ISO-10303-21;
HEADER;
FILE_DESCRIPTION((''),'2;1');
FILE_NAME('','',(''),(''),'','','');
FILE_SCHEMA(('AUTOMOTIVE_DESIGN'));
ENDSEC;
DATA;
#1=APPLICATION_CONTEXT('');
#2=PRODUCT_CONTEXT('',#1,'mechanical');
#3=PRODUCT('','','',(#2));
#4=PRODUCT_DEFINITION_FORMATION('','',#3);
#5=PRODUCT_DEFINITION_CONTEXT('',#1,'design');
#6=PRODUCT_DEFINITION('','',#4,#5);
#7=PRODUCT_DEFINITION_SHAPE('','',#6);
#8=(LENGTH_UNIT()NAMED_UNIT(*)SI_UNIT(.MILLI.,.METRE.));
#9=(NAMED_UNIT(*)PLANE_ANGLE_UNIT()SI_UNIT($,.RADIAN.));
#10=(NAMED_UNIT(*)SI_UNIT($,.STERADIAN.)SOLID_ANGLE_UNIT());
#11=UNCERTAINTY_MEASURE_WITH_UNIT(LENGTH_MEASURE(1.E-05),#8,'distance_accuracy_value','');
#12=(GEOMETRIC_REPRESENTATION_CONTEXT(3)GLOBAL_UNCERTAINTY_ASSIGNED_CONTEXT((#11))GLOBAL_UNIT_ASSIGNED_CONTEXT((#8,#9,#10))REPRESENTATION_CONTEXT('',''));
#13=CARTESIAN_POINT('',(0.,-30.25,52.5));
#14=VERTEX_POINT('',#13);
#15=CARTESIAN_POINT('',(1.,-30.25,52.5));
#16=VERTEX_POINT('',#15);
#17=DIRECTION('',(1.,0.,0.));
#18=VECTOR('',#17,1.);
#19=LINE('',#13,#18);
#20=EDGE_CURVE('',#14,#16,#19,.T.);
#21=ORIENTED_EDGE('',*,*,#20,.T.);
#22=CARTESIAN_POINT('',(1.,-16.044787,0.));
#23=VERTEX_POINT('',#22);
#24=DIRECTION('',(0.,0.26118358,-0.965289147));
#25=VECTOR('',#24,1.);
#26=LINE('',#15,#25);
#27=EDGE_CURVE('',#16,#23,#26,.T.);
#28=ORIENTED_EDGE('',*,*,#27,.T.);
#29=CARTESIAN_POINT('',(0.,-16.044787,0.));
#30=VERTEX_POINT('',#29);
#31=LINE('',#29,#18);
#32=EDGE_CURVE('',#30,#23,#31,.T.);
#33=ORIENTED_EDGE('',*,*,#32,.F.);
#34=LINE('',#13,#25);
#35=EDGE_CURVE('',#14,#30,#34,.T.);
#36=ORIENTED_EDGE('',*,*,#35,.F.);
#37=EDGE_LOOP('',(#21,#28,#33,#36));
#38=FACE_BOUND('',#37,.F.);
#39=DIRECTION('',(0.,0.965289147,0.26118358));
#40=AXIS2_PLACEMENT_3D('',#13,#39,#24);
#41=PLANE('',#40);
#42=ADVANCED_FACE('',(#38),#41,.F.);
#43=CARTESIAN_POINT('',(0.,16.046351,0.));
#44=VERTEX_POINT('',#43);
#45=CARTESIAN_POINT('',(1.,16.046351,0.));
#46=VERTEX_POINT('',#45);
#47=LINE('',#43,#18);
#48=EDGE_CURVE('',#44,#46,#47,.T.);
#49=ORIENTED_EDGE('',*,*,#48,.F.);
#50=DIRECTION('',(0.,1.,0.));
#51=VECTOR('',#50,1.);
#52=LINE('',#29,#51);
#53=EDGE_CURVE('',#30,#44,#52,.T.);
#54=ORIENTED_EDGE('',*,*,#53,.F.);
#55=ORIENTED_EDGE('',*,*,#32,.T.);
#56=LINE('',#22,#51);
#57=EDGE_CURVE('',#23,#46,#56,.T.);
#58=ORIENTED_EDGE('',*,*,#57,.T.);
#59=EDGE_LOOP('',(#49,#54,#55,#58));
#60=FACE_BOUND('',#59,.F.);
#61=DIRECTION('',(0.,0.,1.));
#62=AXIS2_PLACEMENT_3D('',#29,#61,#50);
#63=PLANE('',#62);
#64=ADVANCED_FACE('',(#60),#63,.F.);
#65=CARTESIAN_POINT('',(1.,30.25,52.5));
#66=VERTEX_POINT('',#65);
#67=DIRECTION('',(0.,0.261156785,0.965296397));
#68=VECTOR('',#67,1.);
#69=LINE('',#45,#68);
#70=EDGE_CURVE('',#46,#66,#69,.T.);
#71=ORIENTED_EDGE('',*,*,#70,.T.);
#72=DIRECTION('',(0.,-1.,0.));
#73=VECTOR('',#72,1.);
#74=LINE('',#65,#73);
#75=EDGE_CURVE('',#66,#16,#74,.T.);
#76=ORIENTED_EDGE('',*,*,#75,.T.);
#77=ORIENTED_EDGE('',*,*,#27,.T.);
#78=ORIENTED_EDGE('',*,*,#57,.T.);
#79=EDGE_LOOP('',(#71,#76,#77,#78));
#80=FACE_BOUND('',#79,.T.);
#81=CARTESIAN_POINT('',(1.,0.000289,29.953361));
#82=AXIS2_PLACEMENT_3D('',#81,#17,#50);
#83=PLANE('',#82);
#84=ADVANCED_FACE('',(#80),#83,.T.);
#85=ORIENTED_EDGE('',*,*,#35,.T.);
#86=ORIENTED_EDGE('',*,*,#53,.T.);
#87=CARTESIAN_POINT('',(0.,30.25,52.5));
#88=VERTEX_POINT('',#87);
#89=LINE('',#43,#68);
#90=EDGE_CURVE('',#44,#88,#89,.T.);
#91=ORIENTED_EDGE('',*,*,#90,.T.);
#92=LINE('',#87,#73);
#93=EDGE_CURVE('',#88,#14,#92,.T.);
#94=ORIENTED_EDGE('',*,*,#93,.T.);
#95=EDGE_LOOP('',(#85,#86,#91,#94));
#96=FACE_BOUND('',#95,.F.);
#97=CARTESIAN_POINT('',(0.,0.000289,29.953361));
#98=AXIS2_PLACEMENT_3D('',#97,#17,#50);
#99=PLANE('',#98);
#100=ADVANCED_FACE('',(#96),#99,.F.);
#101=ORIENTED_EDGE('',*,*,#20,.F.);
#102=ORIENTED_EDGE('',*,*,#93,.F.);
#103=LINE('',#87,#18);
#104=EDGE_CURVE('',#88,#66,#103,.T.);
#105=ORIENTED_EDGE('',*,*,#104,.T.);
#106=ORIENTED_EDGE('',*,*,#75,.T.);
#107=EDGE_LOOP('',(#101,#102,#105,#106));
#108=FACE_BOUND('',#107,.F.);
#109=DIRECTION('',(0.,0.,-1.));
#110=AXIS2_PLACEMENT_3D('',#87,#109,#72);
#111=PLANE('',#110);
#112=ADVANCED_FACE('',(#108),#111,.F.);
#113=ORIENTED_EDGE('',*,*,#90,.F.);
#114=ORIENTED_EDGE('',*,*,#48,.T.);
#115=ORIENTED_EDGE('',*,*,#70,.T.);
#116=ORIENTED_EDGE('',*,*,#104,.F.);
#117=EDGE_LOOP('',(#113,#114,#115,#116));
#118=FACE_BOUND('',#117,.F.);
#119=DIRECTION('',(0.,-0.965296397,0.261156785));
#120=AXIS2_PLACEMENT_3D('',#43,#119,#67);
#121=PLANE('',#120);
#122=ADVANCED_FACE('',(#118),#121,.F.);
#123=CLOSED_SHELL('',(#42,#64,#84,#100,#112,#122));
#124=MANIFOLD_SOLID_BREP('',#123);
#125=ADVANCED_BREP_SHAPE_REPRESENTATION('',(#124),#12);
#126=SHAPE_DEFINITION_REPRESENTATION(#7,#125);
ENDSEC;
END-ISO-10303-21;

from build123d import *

# Parameters (mm, degrees)
F1_DEPTH = 1


with BuildPart() as f1:
    # F0 (on Right) → F1 (new body)
    with BuildSketch(Plane.YZ):
        Polygon((-16.044787, 0), (0, 0), (0.001564, 0), (16.046351, 0), (30.25, 52.5), (0, 52.5), (-30.25, 52.5), align=None)
    extrude(amount=F1_DEPTH)


solid = f1.part
